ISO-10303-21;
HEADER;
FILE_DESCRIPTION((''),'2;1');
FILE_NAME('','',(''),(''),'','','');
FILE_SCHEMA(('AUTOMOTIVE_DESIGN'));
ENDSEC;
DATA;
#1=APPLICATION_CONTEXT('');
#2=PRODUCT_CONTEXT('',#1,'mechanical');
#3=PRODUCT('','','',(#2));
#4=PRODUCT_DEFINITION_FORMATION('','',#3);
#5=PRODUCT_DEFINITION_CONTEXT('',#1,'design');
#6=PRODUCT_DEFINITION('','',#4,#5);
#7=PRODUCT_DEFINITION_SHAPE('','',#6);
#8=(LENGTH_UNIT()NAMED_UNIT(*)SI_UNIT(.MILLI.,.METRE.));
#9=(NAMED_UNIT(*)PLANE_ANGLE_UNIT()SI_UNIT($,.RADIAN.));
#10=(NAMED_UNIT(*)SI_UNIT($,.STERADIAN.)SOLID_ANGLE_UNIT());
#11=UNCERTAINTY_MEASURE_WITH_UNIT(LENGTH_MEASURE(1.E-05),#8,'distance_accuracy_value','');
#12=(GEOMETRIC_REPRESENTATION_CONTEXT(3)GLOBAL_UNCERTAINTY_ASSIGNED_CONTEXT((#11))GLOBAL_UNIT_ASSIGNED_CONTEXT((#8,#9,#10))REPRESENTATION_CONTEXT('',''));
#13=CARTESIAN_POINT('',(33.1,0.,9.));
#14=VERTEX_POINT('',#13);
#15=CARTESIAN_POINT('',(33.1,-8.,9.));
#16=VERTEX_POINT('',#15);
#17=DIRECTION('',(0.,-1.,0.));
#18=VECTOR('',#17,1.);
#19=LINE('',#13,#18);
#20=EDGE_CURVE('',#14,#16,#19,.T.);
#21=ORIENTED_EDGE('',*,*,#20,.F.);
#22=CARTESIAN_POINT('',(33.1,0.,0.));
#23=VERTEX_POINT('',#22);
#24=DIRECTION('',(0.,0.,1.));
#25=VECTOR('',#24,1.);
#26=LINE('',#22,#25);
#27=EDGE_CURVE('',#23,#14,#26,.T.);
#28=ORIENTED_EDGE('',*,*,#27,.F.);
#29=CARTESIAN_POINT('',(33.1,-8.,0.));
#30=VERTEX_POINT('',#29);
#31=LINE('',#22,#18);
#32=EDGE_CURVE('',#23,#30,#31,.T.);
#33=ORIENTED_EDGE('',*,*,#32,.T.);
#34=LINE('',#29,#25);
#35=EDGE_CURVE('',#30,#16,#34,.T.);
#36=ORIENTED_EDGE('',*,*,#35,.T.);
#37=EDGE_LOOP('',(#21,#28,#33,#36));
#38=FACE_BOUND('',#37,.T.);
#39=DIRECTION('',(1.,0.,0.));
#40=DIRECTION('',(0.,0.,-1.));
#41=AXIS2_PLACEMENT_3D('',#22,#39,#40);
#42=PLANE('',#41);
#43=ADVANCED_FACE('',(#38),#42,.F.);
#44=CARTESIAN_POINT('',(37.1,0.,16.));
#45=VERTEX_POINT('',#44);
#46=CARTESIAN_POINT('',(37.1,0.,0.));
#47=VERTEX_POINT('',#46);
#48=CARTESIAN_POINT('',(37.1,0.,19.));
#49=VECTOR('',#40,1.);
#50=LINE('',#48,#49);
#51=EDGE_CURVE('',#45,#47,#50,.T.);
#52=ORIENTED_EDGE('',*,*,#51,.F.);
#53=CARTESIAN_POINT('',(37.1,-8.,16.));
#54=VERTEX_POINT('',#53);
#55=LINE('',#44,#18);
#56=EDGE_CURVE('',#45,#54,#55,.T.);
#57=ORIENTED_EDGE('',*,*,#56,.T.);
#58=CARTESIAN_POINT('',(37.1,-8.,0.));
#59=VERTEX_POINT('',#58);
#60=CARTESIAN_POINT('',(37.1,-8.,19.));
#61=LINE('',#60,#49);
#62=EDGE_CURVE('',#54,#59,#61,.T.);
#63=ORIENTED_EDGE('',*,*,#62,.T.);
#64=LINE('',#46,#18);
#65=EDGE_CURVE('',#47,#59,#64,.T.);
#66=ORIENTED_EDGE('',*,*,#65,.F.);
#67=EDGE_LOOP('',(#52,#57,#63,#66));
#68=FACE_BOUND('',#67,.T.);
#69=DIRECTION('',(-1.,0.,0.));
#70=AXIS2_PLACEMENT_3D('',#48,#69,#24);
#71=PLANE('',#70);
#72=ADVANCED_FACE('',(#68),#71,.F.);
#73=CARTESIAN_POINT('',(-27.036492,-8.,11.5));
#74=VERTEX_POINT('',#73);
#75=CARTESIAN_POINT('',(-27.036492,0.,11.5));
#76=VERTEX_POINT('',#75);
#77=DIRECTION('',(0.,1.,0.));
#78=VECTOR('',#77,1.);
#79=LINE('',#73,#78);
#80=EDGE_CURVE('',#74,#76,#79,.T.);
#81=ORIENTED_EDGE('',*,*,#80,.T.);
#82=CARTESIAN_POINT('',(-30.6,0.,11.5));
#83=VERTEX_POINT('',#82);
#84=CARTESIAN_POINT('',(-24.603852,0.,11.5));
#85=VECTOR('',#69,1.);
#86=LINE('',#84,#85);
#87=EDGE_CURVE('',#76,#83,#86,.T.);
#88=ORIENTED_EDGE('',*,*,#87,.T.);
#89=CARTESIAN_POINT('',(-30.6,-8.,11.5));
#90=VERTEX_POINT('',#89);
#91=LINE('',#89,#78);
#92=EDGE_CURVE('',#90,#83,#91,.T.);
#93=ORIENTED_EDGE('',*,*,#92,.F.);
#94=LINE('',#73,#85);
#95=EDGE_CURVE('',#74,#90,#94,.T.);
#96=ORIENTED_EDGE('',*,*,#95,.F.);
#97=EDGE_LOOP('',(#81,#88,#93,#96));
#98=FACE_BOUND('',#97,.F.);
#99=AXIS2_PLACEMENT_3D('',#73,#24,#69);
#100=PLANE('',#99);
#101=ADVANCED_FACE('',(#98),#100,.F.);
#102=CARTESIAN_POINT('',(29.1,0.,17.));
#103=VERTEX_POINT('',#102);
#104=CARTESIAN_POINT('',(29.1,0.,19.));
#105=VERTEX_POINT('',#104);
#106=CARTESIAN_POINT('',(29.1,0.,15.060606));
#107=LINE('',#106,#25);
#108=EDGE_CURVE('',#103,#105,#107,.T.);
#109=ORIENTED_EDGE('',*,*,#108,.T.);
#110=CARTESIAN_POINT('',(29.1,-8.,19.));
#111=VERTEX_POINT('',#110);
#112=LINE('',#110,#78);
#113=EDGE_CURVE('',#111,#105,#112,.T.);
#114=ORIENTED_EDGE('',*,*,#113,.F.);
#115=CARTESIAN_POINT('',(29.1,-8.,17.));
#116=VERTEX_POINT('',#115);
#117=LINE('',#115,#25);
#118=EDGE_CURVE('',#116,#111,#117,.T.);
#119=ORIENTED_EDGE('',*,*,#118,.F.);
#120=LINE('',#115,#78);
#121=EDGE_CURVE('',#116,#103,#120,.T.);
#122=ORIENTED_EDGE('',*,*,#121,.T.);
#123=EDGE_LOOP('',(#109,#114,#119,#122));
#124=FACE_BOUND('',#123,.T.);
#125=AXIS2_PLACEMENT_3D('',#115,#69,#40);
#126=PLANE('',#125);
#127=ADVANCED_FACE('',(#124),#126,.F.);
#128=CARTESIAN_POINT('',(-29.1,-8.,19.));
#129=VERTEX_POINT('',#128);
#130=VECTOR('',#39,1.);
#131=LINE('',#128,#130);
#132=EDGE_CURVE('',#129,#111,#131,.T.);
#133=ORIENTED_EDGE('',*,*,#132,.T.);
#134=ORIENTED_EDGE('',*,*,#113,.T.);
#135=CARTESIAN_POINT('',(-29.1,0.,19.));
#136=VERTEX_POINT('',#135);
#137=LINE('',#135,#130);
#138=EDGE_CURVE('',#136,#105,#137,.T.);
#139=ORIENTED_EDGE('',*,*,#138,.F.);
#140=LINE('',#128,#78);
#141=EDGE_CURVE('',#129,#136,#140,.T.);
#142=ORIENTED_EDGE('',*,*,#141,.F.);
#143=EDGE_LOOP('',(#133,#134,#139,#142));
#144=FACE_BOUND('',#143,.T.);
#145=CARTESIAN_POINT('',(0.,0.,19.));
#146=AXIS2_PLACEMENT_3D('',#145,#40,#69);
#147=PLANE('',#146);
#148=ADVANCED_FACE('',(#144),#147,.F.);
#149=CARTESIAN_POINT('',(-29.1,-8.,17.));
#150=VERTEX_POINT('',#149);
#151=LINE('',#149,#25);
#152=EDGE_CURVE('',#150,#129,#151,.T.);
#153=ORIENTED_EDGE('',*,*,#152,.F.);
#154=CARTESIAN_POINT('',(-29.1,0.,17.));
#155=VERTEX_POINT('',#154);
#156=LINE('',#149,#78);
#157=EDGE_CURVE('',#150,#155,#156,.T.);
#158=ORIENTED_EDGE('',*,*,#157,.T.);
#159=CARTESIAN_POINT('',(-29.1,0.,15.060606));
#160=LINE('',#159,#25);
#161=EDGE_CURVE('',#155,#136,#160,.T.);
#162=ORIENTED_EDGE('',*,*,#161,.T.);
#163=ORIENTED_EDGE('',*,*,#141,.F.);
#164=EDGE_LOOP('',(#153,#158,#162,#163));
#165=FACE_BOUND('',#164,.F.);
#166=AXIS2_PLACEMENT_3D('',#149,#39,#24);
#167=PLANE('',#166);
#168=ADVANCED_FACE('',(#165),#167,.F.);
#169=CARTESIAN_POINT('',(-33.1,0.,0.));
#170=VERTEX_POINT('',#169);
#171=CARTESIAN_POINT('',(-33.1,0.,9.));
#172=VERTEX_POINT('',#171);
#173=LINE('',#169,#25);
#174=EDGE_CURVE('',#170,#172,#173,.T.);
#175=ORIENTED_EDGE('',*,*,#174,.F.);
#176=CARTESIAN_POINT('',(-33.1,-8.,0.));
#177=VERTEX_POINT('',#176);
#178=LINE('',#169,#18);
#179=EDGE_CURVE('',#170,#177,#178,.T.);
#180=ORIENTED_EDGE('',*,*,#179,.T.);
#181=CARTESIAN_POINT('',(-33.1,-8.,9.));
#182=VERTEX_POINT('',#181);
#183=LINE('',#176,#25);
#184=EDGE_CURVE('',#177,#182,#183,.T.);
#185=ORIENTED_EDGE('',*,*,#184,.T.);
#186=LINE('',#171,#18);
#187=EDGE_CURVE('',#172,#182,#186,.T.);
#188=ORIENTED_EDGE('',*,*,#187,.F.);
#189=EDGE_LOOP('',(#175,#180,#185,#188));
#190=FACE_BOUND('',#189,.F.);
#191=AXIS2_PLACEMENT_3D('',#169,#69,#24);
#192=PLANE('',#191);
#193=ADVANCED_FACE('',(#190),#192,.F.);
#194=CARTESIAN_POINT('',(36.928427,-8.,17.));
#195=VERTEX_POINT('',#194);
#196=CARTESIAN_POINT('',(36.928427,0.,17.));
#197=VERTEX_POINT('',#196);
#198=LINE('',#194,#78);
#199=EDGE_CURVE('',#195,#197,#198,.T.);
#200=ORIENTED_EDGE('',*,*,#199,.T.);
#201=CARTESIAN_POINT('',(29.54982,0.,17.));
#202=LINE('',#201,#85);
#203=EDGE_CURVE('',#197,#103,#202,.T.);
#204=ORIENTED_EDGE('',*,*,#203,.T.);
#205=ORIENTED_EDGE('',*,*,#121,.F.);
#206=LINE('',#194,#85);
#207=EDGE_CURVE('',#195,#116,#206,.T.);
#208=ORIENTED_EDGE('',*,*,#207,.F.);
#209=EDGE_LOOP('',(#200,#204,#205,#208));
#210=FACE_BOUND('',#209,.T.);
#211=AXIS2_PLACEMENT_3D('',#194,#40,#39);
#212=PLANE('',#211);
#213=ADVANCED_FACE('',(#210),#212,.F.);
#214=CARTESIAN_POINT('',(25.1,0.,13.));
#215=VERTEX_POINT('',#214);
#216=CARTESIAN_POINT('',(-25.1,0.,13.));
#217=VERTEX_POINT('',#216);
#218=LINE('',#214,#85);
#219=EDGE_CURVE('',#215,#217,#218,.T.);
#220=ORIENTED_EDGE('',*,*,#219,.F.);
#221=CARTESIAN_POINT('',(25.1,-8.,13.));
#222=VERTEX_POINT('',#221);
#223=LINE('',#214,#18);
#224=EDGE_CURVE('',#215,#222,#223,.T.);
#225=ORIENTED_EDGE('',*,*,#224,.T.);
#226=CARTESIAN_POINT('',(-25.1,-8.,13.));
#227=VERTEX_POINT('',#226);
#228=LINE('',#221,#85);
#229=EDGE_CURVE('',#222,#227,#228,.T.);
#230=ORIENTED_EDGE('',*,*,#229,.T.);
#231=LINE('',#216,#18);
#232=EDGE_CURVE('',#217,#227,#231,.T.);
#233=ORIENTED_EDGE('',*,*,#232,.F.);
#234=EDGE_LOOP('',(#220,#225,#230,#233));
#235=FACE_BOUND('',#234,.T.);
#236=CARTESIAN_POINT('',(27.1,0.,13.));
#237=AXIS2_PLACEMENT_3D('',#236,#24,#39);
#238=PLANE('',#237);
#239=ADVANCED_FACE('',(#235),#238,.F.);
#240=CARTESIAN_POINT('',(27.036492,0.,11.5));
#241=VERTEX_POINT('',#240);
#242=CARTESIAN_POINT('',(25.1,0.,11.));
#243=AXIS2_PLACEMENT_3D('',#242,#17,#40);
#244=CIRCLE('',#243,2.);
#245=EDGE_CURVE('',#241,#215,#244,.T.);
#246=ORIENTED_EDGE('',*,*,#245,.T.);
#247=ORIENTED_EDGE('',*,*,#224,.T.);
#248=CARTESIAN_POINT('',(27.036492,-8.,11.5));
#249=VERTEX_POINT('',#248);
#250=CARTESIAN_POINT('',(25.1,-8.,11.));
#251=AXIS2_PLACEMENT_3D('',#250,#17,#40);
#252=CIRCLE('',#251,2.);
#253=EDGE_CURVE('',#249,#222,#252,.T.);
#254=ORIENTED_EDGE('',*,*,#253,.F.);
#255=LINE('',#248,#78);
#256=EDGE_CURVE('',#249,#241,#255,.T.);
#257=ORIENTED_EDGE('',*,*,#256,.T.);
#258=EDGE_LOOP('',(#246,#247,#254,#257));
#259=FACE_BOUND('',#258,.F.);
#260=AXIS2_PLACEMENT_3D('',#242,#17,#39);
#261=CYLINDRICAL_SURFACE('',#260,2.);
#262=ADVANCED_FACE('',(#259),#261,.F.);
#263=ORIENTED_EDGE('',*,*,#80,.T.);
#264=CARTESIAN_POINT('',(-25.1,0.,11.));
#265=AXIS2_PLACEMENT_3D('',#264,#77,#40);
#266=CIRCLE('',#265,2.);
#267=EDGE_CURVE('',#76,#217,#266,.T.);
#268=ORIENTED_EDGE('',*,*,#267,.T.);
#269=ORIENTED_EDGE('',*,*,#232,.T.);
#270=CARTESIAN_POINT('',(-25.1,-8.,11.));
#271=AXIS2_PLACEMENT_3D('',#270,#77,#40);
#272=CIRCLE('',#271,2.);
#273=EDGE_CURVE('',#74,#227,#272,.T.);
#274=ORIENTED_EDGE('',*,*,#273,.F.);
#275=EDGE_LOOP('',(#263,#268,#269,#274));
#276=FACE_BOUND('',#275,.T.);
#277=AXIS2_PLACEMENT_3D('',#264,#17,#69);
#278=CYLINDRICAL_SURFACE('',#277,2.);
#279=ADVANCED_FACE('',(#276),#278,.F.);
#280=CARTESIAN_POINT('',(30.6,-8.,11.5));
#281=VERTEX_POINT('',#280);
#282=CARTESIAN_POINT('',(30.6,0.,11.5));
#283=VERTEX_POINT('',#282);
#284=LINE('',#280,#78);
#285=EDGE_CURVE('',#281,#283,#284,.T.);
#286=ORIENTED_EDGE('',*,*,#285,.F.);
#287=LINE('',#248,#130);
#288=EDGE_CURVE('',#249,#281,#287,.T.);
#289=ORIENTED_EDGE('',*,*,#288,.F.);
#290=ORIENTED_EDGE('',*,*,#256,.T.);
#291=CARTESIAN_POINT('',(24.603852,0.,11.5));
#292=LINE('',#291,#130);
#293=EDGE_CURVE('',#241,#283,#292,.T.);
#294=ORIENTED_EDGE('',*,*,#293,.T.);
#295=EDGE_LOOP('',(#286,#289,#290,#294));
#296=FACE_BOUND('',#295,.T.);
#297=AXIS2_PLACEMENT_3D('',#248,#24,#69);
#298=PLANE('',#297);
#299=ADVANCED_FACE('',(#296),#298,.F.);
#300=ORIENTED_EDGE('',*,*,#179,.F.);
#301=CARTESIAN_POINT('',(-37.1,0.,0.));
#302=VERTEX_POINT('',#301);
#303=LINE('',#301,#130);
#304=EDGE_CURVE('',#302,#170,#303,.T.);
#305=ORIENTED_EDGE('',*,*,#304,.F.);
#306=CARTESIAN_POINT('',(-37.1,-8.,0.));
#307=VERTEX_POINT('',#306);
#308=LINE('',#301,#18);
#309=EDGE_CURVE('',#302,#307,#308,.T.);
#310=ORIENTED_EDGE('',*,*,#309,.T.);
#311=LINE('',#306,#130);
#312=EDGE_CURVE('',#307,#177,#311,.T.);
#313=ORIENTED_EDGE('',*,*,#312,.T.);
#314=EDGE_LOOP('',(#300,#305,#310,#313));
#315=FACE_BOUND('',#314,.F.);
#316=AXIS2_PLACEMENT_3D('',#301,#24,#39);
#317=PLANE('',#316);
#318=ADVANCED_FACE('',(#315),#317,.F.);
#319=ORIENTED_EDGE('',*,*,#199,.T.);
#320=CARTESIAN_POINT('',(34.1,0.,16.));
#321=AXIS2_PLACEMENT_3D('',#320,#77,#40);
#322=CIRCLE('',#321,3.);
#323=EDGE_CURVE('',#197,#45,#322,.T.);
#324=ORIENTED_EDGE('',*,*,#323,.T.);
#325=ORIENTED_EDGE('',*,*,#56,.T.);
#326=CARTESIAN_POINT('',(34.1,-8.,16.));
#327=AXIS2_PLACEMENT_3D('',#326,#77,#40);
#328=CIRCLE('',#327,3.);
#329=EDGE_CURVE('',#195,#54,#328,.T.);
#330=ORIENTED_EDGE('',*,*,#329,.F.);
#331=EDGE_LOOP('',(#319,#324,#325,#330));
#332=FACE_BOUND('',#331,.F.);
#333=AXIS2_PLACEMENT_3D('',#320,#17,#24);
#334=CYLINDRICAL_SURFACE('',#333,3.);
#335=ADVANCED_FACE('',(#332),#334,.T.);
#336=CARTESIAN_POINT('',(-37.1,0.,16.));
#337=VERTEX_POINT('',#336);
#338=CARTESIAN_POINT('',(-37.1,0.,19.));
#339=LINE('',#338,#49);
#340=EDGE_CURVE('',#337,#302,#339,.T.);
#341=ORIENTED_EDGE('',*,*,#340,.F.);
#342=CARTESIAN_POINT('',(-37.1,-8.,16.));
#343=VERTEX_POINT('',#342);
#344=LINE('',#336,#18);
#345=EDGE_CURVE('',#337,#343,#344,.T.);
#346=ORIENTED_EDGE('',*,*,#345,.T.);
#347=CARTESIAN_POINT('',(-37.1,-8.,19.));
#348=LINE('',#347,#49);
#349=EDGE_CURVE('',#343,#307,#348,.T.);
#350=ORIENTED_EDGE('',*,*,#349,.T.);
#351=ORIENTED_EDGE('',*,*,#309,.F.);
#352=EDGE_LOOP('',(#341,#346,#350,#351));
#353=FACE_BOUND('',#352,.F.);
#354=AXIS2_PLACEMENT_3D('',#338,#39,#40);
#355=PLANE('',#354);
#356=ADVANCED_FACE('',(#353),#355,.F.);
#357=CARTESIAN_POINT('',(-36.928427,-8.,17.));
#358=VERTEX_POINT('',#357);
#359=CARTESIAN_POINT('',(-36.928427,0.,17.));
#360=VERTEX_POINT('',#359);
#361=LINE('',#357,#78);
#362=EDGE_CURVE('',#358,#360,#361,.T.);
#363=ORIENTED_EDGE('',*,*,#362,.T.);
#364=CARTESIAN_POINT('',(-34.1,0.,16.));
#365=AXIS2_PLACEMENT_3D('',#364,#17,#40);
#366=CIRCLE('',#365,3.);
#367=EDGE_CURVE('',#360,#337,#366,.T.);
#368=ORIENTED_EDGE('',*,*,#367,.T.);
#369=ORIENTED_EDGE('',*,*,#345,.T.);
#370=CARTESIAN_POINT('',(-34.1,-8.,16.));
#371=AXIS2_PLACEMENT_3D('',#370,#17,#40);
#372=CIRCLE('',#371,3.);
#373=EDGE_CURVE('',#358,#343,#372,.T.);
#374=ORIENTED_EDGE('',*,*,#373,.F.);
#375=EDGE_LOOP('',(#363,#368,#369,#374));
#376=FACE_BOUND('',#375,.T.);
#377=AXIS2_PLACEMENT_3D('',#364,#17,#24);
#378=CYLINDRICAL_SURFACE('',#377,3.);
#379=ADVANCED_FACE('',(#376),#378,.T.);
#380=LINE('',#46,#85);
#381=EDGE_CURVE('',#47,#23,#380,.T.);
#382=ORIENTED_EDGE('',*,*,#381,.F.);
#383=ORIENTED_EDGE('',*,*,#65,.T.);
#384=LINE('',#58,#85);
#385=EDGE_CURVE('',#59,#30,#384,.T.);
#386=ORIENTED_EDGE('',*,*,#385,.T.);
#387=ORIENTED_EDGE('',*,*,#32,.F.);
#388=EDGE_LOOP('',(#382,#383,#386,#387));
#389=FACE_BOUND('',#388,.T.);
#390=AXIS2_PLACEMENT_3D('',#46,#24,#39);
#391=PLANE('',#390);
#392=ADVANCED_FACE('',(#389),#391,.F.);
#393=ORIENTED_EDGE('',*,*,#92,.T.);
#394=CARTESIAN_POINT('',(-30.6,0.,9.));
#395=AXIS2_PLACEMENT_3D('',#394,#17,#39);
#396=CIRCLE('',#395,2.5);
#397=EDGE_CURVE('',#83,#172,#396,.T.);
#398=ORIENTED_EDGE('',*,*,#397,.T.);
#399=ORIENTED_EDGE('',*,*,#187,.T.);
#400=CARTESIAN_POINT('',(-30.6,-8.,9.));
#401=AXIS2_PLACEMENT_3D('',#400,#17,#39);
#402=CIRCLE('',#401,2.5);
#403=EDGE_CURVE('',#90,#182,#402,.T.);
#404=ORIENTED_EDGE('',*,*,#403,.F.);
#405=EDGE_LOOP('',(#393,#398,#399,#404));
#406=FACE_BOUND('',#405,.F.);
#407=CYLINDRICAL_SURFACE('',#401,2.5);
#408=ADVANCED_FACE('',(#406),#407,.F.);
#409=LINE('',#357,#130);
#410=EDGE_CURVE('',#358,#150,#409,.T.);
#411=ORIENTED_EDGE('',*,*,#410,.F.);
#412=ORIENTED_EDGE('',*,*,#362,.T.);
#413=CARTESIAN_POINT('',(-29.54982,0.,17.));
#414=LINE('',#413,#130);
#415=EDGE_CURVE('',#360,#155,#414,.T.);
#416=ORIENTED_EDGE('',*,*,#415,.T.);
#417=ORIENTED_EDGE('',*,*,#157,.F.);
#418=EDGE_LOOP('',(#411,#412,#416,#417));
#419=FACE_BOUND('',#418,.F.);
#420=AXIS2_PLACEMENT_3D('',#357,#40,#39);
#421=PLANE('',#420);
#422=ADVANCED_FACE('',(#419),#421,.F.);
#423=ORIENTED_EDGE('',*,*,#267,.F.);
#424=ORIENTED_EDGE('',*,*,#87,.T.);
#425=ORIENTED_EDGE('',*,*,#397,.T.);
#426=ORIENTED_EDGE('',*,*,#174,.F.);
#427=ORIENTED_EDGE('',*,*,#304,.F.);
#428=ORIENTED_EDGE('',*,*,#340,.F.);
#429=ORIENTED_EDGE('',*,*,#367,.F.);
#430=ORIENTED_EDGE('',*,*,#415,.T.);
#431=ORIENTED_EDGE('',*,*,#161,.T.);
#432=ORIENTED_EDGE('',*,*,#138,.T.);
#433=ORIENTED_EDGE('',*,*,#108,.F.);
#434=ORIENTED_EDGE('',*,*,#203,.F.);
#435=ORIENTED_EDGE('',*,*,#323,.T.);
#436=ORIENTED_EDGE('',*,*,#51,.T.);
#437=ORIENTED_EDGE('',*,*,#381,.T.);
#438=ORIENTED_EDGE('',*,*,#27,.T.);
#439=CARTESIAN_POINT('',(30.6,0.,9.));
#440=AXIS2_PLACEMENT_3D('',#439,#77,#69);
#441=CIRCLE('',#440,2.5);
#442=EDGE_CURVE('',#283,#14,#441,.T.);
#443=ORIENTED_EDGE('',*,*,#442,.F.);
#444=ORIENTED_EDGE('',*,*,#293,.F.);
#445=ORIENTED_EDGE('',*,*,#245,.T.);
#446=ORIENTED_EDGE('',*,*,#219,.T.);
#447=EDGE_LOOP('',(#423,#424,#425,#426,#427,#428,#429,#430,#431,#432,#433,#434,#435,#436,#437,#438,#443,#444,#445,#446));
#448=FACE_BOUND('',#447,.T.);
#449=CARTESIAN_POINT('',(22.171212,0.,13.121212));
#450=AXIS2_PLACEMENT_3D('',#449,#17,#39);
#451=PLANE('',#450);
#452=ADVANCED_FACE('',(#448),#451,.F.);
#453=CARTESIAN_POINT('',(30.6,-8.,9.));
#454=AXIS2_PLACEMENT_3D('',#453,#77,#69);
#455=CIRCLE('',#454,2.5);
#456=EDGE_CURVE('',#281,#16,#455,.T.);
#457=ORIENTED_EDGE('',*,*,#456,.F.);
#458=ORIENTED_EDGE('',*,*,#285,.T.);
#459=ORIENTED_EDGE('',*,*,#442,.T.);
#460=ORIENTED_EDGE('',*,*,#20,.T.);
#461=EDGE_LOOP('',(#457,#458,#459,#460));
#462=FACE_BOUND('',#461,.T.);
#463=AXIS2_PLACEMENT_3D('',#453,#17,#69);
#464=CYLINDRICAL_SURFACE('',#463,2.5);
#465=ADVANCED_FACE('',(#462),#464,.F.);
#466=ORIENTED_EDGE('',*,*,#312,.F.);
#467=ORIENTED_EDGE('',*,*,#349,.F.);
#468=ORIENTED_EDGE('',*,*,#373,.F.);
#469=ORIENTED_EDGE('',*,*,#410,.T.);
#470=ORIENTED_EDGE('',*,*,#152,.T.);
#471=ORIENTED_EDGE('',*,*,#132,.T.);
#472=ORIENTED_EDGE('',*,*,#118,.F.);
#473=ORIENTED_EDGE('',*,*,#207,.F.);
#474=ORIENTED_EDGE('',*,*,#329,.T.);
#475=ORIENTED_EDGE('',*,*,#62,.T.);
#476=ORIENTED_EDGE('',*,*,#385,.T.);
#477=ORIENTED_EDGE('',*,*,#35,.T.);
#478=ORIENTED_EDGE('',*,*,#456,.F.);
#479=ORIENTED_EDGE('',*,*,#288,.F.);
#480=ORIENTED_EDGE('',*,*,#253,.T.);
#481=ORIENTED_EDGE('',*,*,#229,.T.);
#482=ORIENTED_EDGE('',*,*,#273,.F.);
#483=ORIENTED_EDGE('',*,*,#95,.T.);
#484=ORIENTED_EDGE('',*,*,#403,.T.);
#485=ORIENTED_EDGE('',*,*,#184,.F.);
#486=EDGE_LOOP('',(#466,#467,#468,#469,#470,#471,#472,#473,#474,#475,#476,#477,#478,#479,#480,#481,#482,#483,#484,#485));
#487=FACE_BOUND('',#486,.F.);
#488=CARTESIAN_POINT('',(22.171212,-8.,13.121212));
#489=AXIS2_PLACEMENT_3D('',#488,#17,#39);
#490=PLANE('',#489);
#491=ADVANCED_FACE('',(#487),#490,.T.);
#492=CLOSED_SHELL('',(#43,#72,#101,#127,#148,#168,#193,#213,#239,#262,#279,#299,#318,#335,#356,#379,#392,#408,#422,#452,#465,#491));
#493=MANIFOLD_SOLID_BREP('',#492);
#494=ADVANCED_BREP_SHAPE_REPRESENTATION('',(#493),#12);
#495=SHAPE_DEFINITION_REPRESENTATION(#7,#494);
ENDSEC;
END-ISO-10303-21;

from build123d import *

# Parameters (mm, degrees)
F1_DEPTH = 8
F2_R     = 2
F3_R     = 3
F4_R     = 2.5
F5_DEPTH = 8.001
F7_DEPTH = 8.001


with BuildPart() as f1:
    # F0 (on Front) → F1 (new body)
    with BuildSketch(Plane.XZ):
        Polygon((-37.1, 0), (-33.1, 0), (-33.1, 9), (-27.1, 9), (-27.1, 13), (0, 13), (0, 19), (-37.1, 19), align=None)
    extrude(amount=F1_DEPTH)

    # F2
    f2_edges = [f1.edges().sort_by_distance(p)[0] for p in [
        (-27.1, -4, 13),
    ]]
    fillet(f2_edges, radius=F2_R)

    # F3
    f3_edges = [f1.edges().sort_by_distance(p)[0] for p in [
        (-37.1, -4, 19),
    ]]
    fillet(f3_edges, radius=F3_R)

    # F4 (on face) → F5 (cut, through all)
    with BuildSketch(Plane.XZ.offset(8)):
        with Locations((-30.6, 9)):
            Circle(F4_R)
    extrude(amount=-F5_DEPTH, mode=Mode.SUBTRACT)

    # F6 (on face) → F7 (cut, through all)
    with BuildSketch(Plane.XZ.offset(8)):
        with BuildLine():
            Line((-29.1, 19), (-34.1, 19))
            ThreePointArc((-34.1, 19), (-35.8320508076, 18.4494897428), (-36.9284271247, 17))
            Line((-36.9284271247, 17), (-29.1, 17))
            Line((-29.1, 17), (-29.1, 19))
        make_face()
        with BuildLine():
            ThreePointArc((-27.1, 11), (-27.0840593925, 11.252008585), (-27.0364916731, 11.5))
            Line((-27.0364916731, 11.5), (-30.6, 11.5))
            ThreePointArc((-30.6, 11.5), (-28.832233047, 10.767766953), (-28.1, 9))
            Line((-28.1, 9), (-27.1, 9))
            Line((-27.1, 9), (-27.1, 11))
        make_face()
    extrude(amount=-F7_DEPTH, mode=Mode.SUBTRACT)

    # F8: F1 across plane


with BuildPart() as f1_1:
    add(f1.part)
    add(f1.part.mirror(Plane.YZ))


solid = f1_1.part
